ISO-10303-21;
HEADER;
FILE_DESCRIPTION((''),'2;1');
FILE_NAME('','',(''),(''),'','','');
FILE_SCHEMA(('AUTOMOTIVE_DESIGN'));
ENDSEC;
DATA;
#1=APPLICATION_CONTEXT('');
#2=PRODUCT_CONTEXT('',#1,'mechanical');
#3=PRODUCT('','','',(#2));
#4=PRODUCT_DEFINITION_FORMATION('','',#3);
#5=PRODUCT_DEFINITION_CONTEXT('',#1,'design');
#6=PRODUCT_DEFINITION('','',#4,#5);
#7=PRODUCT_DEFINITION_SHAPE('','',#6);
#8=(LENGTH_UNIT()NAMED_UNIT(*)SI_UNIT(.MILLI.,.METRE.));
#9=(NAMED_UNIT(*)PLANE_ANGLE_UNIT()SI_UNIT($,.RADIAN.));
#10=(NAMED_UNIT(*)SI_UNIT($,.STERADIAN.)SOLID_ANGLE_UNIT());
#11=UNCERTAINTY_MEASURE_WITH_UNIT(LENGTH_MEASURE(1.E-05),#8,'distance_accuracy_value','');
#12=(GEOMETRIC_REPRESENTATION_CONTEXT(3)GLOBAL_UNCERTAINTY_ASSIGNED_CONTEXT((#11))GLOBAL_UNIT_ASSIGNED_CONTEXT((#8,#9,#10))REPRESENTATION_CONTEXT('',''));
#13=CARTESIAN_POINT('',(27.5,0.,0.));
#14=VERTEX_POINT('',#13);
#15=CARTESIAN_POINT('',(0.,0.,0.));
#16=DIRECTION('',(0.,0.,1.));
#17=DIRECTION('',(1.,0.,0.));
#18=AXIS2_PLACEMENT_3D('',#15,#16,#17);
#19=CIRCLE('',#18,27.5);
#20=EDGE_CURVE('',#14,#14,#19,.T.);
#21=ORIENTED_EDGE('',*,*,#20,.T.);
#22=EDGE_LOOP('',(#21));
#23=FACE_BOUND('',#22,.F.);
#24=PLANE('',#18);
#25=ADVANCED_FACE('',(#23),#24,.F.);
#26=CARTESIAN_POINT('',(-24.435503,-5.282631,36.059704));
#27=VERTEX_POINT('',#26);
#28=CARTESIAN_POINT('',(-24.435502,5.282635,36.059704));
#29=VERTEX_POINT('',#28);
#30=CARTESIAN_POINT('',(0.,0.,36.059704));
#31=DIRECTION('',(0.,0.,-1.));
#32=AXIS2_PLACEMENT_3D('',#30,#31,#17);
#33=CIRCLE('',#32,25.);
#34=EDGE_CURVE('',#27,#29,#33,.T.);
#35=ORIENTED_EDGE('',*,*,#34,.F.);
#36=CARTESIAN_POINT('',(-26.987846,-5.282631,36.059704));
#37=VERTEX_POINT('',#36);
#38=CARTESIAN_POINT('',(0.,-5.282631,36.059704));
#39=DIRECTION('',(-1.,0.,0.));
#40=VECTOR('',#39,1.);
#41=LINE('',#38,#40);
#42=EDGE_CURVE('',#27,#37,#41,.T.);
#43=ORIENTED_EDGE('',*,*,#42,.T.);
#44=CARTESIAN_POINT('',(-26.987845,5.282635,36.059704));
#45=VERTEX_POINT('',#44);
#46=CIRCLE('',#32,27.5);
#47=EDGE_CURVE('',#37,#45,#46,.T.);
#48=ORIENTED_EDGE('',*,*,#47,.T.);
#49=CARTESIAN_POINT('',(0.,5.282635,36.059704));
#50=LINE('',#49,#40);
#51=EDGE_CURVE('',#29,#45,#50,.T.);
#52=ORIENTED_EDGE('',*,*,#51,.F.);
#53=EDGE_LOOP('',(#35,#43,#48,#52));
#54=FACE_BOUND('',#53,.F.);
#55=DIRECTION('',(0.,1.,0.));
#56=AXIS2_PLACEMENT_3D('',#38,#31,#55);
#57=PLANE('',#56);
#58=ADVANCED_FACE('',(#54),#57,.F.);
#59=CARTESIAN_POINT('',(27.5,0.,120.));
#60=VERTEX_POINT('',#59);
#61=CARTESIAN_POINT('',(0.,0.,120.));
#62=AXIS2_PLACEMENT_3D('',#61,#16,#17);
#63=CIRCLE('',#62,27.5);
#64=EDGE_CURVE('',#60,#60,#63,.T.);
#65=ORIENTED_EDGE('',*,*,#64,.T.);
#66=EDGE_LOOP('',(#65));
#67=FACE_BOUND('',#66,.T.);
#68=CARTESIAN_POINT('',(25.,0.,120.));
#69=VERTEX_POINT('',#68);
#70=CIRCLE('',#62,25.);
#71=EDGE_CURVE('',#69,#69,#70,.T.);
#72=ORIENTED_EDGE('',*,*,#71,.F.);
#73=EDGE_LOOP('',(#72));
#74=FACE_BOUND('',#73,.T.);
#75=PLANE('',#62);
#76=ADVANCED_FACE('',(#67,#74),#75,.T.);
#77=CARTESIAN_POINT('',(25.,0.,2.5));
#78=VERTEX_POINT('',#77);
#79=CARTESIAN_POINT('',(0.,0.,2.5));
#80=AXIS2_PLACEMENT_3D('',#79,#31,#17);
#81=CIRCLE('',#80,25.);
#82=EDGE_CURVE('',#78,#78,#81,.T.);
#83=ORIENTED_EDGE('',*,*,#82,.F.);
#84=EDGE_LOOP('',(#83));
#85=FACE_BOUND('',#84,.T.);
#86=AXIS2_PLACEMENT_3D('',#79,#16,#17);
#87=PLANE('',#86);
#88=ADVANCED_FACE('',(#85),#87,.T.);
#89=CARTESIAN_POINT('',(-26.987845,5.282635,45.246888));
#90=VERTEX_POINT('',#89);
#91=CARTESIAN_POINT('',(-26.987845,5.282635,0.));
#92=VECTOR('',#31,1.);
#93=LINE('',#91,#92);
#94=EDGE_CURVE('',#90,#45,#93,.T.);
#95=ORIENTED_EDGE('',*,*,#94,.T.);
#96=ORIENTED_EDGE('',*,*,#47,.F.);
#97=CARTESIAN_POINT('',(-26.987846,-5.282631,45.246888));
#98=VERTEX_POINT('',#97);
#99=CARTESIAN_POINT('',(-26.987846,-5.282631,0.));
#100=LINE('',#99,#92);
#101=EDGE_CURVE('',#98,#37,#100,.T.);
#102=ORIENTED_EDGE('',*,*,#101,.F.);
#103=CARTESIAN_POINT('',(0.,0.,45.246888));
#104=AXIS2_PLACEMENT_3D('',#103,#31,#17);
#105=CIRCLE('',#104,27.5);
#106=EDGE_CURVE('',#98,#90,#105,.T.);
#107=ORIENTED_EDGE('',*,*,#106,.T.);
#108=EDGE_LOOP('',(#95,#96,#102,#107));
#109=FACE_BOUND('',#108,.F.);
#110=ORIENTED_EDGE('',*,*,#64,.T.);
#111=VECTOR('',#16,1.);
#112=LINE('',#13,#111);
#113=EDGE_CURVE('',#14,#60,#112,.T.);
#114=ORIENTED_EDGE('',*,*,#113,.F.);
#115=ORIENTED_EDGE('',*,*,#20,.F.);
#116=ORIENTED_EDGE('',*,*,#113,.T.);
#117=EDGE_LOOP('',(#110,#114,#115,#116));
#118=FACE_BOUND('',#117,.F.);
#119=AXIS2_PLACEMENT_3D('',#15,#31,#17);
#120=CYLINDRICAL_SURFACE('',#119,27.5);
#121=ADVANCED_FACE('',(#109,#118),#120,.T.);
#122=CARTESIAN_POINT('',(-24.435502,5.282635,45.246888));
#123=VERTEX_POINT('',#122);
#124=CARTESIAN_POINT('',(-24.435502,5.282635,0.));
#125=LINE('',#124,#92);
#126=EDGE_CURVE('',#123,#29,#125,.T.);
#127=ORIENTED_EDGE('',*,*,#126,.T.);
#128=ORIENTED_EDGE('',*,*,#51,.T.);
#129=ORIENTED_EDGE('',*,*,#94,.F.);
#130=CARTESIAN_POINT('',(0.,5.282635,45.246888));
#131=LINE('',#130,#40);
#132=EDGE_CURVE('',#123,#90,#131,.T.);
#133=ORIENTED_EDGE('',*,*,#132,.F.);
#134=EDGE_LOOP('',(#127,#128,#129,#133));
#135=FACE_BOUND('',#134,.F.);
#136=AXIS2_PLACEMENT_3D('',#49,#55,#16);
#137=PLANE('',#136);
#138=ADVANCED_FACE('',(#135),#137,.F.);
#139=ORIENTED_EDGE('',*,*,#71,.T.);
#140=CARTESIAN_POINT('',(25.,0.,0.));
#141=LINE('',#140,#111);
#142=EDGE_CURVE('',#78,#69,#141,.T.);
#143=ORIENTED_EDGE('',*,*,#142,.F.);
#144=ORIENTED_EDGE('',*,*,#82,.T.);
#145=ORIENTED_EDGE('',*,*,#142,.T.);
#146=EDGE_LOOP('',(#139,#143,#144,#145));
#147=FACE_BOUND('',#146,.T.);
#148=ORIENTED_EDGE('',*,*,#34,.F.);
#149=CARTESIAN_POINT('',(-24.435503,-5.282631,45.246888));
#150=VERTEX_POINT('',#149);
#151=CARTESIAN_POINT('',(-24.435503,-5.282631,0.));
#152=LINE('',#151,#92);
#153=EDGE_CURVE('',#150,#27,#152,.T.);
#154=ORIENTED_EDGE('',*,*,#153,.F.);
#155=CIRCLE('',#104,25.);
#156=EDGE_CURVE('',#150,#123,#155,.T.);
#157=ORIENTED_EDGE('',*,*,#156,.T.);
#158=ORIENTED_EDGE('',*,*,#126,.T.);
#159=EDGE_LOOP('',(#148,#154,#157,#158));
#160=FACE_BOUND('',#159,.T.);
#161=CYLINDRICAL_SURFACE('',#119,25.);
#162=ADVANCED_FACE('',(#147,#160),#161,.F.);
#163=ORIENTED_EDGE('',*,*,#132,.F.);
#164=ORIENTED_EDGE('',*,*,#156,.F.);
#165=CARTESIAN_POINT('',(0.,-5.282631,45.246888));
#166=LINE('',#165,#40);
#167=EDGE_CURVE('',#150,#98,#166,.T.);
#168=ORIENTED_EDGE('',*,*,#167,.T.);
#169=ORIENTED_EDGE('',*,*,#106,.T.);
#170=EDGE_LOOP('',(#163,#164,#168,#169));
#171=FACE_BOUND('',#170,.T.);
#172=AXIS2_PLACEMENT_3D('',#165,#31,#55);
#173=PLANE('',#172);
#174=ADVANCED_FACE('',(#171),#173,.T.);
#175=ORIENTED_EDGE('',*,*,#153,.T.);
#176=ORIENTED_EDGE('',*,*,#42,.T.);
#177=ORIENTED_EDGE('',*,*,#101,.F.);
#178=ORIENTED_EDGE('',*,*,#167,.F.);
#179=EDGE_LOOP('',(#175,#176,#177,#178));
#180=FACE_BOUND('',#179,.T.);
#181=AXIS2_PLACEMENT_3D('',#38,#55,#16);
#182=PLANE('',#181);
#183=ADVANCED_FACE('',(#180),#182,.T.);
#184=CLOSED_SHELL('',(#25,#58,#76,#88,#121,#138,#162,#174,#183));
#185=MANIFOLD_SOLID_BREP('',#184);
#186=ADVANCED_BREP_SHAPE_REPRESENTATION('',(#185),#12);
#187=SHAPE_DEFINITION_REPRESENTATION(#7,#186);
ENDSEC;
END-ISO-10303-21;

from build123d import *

# Parameters (mm, degrees)
F0_R     = 27.5
F1_DEPTH = 120
F2_T     = -2.5
F3_W     = 10.565266
F3_H     = 9.187184
F4_DEPTH = 27.501


with BuildPart() as f1:
    # F0 (on Top) → F1 (new body)
    with BuildSketch(Plane.XY):
        Circle(F0_R)
    extrude(amount=F1_DEPTH)

    # F2
    f2_openings = [f1.faces().sort_by_distance(p)[0] for p in [
        (0, 0, 120),
    ]]
    offset(amount=F2_T, openings=f2_openings)

    # F3 (on Right) → F4 (cut, through all)
    with BuildSketch(Plane.YZ):
        with Locations((2e-06, 40.653296)):
            Rectangle(F3_W, F3_H)
    extrude(amount=-F4_DEPTH, mode=Mode.SUBTRACT)


solid = f1.part
